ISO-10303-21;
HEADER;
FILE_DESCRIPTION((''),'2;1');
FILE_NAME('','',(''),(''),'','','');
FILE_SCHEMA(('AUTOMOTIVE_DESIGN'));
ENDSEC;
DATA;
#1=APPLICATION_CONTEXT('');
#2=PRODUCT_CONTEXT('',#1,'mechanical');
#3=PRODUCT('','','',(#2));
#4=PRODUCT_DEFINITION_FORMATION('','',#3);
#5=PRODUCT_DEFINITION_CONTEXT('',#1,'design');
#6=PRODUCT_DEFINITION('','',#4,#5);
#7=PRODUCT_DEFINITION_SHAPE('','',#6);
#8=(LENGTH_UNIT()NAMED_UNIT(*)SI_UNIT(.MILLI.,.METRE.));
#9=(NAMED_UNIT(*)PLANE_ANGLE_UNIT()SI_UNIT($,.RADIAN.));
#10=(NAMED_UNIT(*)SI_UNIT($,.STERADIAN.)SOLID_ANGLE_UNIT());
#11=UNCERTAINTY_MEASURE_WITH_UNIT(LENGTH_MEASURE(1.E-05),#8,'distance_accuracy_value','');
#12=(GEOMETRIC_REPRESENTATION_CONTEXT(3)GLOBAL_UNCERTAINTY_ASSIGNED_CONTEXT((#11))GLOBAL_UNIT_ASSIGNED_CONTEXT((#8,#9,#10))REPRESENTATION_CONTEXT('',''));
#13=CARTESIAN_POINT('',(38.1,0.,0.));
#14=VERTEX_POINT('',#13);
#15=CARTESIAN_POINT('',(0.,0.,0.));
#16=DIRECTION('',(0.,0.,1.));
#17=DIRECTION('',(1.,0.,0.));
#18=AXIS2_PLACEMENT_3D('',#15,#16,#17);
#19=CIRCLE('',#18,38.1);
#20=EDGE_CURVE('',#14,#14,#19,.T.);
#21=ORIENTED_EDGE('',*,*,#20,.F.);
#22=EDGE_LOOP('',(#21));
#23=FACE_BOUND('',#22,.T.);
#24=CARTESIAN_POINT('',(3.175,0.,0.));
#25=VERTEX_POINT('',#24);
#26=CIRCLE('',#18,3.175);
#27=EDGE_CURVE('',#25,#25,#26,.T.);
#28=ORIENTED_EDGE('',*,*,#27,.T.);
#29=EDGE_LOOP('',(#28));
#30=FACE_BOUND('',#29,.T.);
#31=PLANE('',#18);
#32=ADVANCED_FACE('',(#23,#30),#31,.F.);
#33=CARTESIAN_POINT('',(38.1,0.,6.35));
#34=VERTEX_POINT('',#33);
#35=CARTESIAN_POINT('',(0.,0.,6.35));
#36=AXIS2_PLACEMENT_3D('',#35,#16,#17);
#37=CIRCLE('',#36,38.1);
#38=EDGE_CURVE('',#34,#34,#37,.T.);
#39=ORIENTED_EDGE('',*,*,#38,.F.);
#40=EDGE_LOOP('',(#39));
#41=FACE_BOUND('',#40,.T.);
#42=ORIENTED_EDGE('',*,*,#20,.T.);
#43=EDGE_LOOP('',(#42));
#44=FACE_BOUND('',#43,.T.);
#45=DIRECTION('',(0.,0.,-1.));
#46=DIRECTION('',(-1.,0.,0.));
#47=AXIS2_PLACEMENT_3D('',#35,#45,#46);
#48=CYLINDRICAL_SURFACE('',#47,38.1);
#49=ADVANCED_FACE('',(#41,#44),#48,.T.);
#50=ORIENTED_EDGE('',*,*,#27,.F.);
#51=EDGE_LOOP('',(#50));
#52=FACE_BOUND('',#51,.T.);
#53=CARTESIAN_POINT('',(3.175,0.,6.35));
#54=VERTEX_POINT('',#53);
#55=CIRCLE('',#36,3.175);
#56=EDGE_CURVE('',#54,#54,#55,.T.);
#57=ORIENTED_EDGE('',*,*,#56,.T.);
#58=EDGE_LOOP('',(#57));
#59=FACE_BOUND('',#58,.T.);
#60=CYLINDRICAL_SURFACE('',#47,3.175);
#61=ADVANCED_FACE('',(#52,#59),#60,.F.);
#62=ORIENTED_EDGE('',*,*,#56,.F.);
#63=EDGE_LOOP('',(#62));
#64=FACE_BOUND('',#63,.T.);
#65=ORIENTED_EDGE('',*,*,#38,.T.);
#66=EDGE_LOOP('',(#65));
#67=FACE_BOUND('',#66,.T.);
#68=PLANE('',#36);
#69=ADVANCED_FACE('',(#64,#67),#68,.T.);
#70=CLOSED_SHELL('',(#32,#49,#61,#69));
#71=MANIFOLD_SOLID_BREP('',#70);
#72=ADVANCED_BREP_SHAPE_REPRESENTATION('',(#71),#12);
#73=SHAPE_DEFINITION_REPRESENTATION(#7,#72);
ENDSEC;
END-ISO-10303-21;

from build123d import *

# Parameters (mm, degrees)
SKETCH1_R           = 38.1
SKETCH1_R_2         = 3.175
BOSS_EXTRUDE1_DEPTH = 6.35


with BuildPart() as part:
    # Sketch1 → Boss-Extrude1 (new body)
    with BuildSketch(Plane.XY):
        Circle(SKETCH1_R)
        Circle(SKETCH1_R_2, mode=Mode.SUBTRACT)
    extrude(amount=BOSS_EXTRUDE1_DEPTH)


solid = part.part
